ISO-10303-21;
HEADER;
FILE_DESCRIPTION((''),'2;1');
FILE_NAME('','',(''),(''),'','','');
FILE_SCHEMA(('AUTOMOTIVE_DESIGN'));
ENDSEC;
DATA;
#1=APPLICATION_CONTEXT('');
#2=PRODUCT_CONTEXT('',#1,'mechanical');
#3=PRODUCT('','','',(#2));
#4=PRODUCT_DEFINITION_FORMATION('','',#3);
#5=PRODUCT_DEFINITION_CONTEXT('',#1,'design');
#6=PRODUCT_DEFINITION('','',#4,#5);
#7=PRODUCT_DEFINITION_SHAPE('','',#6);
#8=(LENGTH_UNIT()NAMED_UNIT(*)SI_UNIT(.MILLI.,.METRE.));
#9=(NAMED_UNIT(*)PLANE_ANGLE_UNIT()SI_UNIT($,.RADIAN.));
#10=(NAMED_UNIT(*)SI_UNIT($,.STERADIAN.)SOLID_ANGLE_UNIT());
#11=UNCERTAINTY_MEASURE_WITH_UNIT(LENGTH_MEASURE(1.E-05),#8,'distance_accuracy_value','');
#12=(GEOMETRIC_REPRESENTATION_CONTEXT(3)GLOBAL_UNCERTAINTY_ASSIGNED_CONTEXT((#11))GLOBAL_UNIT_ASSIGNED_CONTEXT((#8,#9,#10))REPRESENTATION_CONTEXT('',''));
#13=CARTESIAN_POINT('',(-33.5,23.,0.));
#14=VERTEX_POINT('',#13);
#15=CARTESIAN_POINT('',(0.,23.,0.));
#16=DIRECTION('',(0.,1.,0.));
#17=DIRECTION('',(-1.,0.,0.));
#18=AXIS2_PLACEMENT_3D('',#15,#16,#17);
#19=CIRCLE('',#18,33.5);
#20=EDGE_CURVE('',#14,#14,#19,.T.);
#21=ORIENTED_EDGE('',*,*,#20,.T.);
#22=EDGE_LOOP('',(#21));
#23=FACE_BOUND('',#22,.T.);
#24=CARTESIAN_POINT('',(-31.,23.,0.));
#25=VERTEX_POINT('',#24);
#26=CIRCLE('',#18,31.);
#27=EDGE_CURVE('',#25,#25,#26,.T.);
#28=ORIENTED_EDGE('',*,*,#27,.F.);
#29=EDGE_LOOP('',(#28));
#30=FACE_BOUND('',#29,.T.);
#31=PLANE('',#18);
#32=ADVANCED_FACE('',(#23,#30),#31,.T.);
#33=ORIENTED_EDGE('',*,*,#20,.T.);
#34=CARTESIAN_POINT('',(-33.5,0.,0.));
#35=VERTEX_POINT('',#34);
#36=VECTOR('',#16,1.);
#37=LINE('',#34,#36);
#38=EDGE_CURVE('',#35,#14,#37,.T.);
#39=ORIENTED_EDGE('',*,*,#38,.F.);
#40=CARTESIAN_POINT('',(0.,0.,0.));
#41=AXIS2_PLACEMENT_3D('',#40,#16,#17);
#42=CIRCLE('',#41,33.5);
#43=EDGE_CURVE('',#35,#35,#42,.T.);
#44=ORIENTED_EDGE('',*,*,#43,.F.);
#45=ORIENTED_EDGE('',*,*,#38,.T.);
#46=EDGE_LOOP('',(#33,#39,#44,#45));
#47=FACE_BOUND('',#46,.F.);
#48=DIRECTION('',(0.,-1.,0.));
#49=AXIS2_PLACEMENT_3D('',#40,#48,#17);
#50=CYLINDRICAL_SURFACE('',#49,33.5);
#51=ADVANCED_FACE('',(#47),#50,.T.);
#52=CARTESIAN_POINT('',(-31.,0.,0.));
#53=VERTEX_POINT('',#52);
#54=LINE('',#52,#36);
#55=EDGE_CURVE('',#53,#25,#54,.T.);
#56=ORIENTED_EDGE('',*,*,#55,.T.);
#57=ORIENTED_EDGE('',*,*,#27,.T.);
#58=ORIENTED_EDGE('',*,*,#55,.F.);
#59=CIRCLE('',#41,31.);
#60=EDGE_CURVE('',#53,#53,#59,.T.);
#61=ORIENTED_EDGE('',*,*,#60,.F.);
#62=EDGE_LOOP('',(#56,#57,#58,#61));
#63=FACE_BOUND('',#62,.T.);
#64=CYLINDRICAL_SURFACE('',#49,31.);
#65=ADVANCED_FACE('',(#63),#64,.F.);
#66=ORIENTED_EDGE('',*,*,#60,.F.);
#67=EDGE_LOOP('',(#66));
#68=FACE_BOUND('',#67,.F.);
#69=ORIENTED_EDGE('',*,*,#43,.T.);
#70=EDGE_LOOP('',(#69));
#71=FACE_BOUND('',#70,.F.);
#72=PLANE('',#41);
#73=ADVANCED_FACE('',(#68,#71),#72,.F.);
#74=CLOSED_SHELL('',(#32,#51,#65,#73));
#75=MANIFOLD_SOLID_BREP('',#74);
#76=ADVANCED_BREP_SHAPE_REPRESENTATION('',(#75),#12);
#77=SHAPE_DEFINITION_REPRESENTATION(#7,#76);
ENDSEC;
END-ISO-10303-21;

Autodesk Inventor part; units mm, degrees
ref_plane "YZ Plane" through (0, 0, 0) normal (1, 0, 0) x (0, 1, 0)
ref_plane "XZ Plane" through (0, 0, 0) normal (0, 1, 0) x (-1, 0, 0)
ref_plane "XY Plane" through (0, 0, 0) normal (0, 0, 1) x (1, 0, 0)
sketch "Sketch1" plane through (0, 0, 0) normal (0, 1, 0) x (-1, 0, 0)
  circle A0 centre (0, 0) radius 31
  circle A1 centre (0, 0) radius 33.5
  dimension "d0" = 62
  dimension "d1" = 67
extrude "Extrusion1" add sketch "Sketch1" along normal blind 23
sketch "Sketch3" plane through (0, 23, 0) normal (0, 1, 0) x (1, 0, 0)
  circle A0 centre (0, 0) radius 31
hole "Hole1" at (0, 23, 0) direction (0, -1, 0) diameter 62 end through all
sketch "Sketch4" plane through (0, 23, 0) normal (0, 1, 0) x (1, 0, 0)
  circle A0 centre (0, 0) radius 9.4443
hole "Hole2" at (0, 23, 0) direction (0, -1, 0) diameter 62 end through all
properties part number "rueda de rolinera"
